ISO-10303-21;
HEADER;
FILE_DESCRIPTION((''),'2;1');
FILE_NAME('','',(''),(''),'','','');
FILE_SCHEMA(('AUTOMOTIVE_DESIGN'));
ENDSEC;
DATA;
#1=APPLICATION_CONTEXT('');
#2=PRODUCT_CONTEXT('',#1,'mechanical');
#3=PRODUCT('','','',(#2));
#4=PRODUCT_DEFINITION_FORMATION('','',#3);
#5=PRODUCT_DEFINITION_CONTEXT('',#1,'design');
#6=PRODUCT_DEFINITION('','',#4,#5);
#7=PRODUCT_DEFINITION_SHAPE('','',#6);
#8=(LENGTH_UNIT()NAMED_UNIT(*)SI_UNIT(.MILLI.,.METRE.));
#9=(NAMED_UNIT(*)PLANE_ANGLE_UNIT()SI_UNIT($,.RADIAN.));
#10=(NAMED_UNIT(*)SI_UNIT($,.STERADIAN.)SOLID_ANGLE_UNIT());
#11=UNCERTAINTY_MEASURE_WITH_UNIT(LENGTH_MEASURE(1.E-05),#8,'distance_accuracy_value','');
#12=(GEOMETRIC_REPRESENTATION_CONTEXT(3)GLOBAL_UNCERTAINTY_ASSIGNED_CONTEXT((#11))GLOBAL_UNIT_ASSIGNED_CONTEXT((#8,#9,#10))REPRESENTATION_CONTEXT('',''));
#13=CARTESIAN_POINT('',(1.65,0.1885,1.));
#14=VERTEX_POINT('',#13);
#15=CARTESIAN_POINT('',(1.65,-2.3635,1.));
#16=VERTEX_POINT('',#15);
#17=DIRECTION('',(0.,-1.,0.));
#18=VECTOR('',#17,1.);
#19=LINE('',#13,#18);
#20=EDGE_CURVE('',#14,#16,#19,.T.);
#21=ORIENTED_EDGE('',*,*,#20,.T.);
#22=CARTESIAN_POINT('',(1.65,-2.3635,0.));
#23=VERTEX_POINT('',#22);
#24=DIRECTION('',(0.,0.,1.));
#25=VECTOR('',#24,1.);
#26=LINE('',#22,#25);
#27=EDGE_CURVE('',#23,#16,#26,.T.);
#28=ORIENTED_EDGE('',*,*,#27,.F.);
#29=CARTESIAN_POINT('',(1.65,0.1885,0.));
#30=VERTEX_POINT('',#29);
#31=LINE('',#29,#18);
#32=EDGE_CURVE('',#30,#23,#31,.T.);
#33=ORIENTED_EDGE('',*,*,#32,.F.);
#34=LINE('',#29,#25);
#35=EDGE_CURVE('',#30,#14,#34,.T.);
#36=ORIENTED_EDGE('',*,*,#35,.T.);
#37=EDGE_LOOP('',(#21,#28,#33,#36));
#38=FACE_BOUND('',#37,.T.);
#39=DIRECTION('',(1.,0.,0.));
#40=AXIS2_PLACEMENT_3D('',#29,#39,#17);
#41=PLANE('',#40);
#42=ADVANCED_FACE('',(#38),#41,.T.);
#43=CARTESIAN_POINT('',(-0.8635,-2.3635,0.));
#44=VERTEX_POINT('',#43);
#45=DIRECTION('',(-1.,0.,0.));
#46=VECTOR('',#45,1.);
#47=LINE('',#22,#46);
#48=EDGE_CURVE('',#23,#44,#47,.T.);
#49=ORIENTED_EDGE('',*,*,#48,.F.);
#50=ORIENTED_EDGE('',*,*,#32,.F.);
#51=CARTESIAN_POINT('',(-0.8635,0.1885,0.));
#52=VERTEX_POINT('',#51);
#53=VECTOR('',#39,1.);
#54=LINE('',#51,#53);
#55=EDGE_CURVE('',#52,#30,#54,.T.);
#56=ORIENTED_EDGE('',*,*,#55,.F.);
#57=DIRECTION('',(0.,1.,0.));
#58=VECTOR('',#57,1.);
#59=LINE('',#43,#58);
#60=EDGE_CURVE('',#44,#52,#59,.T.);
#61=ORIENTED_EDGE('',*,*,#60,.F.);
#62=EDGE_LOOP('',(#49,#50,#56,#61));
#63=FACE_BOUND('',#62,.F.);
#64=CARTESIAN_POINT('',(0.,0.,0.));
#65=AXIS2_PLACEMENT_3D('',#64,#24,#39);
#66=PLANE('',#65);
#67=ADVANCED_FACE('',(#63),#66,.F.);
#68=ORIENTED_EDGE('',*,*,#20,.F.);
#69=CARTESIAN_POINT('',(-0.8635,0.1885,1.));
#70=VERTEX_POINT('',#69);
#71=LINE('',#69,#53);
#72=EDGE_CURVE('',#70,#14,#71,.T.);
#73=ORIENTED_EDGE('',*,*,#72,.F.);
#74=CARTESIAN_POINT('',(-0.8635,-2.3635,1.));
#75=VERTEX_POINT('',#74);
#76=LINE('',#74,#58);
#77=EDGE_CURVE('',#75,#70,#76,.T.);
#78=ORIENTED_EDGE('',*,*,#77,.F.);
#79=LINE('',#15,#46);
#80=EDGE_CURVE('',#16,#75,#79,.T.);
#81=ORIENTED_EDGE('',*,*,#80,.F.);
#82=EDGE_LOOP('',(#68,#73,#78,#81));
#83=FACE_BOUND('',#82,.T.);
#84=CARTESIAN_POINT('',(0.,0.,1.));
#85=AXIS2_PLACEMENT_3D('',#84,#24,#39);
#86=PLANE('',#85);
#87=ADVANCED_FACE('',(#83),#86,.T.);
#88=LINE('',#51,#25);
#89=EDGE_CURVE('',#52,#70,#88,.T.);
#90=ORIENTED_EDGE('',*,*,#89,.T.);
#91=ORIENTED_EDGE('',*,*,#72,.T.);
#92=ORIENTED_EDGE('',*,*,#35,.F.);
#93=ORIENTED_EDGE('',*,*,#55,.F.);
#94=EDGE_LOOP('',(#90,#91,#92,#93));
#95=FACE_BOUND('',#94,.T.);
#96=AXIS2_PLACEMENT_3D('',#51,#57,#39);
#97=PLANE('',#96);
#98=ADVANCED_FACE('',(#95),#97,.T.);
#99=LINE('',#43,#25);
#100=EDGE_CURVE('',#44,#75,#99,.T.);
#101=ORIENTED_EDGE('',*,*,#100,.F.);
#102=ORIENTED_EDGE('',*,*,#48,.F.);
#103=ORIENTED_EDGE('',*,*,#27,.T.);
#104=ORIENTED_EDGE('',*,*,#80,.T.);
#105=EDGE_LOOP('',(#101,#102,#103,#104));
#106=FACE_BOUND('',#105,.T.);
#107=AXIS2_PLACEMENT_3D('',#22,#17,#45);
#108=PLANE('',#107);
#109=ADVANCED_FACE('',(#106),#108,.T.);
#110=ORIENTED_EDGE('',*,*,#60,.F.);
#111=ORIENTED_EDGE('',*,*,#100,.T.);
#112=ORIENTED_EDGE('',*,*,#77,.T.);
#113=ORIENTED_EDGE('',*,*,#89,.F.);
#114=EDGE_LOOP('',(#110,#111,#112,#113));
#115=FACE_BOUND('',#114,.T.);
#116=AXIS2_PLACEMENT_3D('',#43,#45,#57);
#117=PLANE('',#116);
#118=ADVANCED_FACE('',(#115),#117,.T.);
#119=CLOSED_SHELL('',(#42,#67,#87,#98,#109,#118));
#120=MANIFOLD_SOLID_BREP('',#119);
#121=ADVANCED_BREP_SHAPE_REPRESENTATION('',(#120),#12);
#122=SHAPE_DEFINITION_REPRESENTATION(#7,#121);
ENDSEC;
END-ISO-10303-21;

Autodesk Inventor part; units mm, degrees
ref_plane "YZ Plane" through (0, 0, 0) normal (1, 0, 0) x (0, 1, 0)
ref_plane "XZ Plane" through (0, 0, 0) normal (0, 1, 0) x (-1, 0, 0)
ref_plane "XY Plane" through (0, 0, 0) normal (0, 0, 1) x (1, 0, 0)
sketch "DRV, DRV_111" plane through (0, 0, 0) normal (0, 0, 1) x (1, 0, 0)
  line L0 (-0.8635, 0.1885) -> (1.65, 0.1885)
  line L1 (1.65, 0.1885) -> (1.65, -2.3635)
  line L2 (1.65, -2.3635) -> (-0.8635, -2.3635)
  line L3 (-0.8635, -2.3635) -> (-0.8635, 0.1885)
extrude "Extrusion1" add sketch "DRV, DRV_111" along normal blind 1
properties part number "DRV"
